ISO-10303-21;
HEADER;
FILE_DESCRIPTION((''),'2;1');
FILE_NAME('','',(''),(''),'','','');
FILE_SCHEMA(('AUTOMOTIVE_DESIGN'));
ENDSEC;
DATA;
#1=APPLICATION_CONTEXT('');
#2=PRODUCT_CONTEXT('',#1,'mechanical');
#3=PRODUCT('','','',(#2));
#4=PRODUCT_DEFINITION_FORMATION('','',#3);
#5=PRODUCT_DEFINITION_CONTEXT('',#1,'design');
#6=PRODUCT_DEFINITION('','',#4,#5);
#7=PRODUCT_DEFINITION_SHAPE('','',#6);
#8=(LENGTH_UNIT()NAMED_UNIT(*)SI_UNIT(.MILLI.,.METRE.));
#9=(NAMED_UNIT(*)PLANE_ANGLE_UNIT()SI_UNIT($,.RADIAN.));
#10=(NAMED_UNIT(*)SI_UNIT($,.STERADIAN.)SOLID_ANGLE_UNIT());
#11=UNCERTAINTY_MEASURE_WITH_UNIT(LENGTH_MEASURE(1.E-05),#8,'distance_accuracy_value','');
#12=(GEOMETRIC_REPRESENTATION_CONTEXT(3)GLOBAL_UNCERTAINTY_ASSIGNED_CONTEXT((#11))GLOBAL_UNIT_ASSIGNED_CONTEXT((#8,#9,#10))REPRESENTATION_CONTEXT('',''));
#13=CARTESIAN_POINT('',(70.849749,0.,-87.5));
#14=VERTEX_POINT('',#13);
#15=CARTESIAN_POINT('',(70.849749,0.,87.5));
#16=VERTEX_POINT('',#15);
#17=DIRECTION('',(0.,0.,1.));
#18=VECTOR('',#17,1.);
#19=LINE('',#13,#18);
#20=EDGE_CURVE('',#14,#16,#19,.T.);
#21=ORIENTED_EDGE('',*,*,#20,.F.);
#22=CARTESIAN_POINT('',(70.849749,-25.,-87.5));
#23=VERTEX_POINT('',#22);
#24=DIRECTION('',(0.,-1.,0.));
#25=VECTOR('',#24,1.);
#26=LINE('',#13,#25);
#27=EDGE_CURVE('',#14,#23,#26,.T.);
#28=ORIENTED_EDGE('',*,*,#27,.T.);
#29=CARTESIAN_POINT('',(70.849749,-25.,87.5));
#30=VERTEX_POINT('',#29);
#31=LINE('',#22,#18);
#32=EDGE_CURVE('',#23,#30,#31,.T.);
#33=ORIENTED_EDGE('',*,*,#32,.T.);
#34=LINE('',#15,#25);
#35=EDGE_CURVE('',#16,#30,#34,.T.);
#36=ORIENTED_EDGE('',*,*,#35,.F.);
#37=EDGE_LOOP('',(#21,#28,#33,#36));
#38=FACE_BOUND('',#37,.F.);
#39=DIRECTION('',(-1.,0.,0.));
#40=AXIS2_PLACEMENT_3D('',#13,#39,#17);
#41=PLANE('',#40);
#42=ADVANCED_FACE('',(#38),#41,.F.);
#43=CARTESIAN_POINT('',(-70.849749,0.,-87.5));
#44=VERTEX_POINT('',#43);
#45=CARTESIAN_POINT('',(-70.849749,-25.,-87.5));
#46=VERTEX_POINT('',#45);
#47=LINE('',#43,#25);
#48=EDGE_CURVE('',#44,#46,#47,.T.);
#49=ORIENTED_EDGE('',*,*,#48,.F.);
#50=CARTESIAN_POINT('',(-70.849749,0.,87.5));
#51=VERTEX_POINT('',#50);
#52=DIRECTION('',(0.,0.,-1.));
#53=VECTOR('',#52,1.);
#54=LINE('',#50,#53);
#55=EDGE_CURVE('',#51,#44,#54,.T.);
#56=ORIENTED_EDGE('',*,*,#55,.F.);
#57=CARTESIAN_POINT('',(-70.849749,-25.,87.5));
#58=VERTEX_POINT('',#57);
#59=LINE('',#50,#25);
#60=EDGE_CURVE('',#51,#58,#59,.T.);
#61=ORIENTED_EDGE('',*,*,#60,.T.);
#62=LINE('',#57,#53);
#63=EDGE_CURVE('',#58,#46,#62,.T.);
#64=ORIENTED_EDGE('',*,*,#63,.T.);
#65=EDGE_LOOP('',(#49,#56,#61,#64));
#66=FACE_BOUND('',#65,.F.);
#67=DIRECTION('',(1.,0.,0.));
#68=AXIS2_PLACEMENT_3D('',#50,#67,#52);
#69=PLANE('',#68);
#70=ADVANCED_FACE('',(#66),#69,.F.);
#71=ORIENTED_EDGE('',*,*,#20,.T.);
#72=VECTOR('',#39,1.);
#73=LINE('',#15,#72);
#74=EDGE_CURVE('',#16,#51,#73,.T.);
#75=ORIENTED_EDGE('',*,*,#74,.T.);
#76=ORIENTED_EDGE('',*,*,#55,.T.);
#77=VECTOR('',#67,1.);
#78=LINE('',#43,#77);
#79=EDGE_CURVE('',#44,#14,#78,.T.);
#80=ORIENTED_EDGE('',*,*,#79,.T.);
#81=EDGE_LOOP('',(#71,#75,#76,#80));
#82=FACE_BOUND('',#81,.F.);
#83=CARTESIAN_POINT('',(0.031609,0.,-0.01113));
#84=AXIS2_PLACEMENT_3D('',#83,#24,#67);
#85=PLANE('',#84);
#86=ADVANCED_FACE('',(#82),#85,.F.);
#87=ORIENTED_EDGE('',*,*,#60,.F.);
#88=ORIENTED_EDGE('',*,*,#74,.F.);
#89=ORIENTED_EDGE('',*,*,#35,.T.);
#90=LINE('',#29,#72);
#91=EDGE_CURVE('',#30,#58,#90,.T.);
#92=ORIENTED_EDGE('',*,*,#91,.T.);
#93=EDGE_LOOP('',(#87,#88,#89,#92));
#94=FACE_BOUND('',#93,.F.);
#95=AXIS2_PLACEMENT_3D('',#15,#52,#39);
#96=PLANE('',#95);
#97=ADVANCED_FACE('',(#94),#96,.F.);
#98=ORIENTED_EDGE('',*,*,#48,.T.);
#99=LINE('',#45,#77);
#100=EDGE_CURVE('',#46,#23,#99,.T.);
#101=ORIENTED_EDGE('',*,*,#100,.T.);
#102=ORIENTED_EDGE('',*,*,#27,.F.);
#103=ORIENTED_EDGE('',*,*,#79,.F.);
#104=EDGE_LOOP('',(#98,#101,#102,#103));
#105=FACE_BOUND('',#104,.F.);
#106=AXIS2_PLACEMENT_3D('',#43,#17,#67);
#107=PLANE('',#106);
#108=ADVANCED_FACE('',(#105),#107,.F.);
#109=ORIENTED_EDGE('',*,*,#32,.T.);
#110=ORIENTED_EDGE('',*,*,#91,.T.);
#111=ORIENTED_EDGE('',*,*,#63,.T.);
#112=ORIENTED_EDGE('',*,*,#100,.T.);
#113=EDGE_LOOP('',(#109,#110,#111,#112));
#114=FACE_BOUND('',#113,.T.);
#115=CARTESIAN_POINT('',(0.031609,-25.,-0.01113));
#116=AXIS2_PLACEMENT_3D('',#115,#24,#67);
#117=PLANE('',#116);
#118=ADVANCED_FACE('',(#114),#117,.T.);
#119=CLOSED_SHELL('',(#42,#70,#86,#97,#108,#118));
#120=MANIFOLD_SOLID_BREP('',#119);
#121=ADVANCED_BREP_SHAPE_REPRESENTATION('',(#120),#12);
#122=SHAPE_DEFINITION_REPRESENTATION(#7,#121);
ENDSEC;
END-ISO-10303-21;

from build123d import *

# Parameters (mm, degrees)
F0_W     = 25
F0_H     = 75
F1_DEPTH = 25
F2_DEPTH = 25


with BuildPart() as f1:
    # F0 (on Front) → F1 (new body)
    with BuildSketch(Plane.XZ):
        Polygon((70.849749, 87.5), (-70.849749, 87.5), (-70.849749, 37.5), (-45.849749, 37.5), (-45.849749, -37.5), (-70.849749, -37.5), (-70.849749, -87.5), (70.849749, -87.5), (70.849749, -37.174404), (45.849749, -37.5), (45.849749, 37.5), (70.849749, 37.5), align=None)
        with Locations((-58.349749, 0)):
            Rectangle(F0_W, F0_H)
        Polygon((70.849749, -37.174404), (70.849749, 37.5), (45.849749, 37.5), (45.849749, -37.5), align=None)
    extrude(amount=F1_DEPTH)

    # F0 (on Front) → F2 (join)
    with BuildSketch(Plane.XZ):
        Polygon((70.849749, 87.5), (-70.849749, 87.5), (-70.849749, 37.5), (-45.849749, 37.5), (-45.849749, -37.5), (-70.849749, -37.5), (-70.849749, -87.5), (70.849749, -87.5), (70.849749, -37.174404), (45.849749, -37.5), (45.849749, 37.5), (70.849749, 37.5), align=None)
        with Locations((-58.349749, 0)):
            Rectangle(F0_W, F0_H)
        Polygon((70.849749, -37.174404), (70.849749, 37.5), (45.849749, 37.5), (45.849749, -37.5), align=None)
    extrude(amount=F2_DEPTH)


solid = f1.part
